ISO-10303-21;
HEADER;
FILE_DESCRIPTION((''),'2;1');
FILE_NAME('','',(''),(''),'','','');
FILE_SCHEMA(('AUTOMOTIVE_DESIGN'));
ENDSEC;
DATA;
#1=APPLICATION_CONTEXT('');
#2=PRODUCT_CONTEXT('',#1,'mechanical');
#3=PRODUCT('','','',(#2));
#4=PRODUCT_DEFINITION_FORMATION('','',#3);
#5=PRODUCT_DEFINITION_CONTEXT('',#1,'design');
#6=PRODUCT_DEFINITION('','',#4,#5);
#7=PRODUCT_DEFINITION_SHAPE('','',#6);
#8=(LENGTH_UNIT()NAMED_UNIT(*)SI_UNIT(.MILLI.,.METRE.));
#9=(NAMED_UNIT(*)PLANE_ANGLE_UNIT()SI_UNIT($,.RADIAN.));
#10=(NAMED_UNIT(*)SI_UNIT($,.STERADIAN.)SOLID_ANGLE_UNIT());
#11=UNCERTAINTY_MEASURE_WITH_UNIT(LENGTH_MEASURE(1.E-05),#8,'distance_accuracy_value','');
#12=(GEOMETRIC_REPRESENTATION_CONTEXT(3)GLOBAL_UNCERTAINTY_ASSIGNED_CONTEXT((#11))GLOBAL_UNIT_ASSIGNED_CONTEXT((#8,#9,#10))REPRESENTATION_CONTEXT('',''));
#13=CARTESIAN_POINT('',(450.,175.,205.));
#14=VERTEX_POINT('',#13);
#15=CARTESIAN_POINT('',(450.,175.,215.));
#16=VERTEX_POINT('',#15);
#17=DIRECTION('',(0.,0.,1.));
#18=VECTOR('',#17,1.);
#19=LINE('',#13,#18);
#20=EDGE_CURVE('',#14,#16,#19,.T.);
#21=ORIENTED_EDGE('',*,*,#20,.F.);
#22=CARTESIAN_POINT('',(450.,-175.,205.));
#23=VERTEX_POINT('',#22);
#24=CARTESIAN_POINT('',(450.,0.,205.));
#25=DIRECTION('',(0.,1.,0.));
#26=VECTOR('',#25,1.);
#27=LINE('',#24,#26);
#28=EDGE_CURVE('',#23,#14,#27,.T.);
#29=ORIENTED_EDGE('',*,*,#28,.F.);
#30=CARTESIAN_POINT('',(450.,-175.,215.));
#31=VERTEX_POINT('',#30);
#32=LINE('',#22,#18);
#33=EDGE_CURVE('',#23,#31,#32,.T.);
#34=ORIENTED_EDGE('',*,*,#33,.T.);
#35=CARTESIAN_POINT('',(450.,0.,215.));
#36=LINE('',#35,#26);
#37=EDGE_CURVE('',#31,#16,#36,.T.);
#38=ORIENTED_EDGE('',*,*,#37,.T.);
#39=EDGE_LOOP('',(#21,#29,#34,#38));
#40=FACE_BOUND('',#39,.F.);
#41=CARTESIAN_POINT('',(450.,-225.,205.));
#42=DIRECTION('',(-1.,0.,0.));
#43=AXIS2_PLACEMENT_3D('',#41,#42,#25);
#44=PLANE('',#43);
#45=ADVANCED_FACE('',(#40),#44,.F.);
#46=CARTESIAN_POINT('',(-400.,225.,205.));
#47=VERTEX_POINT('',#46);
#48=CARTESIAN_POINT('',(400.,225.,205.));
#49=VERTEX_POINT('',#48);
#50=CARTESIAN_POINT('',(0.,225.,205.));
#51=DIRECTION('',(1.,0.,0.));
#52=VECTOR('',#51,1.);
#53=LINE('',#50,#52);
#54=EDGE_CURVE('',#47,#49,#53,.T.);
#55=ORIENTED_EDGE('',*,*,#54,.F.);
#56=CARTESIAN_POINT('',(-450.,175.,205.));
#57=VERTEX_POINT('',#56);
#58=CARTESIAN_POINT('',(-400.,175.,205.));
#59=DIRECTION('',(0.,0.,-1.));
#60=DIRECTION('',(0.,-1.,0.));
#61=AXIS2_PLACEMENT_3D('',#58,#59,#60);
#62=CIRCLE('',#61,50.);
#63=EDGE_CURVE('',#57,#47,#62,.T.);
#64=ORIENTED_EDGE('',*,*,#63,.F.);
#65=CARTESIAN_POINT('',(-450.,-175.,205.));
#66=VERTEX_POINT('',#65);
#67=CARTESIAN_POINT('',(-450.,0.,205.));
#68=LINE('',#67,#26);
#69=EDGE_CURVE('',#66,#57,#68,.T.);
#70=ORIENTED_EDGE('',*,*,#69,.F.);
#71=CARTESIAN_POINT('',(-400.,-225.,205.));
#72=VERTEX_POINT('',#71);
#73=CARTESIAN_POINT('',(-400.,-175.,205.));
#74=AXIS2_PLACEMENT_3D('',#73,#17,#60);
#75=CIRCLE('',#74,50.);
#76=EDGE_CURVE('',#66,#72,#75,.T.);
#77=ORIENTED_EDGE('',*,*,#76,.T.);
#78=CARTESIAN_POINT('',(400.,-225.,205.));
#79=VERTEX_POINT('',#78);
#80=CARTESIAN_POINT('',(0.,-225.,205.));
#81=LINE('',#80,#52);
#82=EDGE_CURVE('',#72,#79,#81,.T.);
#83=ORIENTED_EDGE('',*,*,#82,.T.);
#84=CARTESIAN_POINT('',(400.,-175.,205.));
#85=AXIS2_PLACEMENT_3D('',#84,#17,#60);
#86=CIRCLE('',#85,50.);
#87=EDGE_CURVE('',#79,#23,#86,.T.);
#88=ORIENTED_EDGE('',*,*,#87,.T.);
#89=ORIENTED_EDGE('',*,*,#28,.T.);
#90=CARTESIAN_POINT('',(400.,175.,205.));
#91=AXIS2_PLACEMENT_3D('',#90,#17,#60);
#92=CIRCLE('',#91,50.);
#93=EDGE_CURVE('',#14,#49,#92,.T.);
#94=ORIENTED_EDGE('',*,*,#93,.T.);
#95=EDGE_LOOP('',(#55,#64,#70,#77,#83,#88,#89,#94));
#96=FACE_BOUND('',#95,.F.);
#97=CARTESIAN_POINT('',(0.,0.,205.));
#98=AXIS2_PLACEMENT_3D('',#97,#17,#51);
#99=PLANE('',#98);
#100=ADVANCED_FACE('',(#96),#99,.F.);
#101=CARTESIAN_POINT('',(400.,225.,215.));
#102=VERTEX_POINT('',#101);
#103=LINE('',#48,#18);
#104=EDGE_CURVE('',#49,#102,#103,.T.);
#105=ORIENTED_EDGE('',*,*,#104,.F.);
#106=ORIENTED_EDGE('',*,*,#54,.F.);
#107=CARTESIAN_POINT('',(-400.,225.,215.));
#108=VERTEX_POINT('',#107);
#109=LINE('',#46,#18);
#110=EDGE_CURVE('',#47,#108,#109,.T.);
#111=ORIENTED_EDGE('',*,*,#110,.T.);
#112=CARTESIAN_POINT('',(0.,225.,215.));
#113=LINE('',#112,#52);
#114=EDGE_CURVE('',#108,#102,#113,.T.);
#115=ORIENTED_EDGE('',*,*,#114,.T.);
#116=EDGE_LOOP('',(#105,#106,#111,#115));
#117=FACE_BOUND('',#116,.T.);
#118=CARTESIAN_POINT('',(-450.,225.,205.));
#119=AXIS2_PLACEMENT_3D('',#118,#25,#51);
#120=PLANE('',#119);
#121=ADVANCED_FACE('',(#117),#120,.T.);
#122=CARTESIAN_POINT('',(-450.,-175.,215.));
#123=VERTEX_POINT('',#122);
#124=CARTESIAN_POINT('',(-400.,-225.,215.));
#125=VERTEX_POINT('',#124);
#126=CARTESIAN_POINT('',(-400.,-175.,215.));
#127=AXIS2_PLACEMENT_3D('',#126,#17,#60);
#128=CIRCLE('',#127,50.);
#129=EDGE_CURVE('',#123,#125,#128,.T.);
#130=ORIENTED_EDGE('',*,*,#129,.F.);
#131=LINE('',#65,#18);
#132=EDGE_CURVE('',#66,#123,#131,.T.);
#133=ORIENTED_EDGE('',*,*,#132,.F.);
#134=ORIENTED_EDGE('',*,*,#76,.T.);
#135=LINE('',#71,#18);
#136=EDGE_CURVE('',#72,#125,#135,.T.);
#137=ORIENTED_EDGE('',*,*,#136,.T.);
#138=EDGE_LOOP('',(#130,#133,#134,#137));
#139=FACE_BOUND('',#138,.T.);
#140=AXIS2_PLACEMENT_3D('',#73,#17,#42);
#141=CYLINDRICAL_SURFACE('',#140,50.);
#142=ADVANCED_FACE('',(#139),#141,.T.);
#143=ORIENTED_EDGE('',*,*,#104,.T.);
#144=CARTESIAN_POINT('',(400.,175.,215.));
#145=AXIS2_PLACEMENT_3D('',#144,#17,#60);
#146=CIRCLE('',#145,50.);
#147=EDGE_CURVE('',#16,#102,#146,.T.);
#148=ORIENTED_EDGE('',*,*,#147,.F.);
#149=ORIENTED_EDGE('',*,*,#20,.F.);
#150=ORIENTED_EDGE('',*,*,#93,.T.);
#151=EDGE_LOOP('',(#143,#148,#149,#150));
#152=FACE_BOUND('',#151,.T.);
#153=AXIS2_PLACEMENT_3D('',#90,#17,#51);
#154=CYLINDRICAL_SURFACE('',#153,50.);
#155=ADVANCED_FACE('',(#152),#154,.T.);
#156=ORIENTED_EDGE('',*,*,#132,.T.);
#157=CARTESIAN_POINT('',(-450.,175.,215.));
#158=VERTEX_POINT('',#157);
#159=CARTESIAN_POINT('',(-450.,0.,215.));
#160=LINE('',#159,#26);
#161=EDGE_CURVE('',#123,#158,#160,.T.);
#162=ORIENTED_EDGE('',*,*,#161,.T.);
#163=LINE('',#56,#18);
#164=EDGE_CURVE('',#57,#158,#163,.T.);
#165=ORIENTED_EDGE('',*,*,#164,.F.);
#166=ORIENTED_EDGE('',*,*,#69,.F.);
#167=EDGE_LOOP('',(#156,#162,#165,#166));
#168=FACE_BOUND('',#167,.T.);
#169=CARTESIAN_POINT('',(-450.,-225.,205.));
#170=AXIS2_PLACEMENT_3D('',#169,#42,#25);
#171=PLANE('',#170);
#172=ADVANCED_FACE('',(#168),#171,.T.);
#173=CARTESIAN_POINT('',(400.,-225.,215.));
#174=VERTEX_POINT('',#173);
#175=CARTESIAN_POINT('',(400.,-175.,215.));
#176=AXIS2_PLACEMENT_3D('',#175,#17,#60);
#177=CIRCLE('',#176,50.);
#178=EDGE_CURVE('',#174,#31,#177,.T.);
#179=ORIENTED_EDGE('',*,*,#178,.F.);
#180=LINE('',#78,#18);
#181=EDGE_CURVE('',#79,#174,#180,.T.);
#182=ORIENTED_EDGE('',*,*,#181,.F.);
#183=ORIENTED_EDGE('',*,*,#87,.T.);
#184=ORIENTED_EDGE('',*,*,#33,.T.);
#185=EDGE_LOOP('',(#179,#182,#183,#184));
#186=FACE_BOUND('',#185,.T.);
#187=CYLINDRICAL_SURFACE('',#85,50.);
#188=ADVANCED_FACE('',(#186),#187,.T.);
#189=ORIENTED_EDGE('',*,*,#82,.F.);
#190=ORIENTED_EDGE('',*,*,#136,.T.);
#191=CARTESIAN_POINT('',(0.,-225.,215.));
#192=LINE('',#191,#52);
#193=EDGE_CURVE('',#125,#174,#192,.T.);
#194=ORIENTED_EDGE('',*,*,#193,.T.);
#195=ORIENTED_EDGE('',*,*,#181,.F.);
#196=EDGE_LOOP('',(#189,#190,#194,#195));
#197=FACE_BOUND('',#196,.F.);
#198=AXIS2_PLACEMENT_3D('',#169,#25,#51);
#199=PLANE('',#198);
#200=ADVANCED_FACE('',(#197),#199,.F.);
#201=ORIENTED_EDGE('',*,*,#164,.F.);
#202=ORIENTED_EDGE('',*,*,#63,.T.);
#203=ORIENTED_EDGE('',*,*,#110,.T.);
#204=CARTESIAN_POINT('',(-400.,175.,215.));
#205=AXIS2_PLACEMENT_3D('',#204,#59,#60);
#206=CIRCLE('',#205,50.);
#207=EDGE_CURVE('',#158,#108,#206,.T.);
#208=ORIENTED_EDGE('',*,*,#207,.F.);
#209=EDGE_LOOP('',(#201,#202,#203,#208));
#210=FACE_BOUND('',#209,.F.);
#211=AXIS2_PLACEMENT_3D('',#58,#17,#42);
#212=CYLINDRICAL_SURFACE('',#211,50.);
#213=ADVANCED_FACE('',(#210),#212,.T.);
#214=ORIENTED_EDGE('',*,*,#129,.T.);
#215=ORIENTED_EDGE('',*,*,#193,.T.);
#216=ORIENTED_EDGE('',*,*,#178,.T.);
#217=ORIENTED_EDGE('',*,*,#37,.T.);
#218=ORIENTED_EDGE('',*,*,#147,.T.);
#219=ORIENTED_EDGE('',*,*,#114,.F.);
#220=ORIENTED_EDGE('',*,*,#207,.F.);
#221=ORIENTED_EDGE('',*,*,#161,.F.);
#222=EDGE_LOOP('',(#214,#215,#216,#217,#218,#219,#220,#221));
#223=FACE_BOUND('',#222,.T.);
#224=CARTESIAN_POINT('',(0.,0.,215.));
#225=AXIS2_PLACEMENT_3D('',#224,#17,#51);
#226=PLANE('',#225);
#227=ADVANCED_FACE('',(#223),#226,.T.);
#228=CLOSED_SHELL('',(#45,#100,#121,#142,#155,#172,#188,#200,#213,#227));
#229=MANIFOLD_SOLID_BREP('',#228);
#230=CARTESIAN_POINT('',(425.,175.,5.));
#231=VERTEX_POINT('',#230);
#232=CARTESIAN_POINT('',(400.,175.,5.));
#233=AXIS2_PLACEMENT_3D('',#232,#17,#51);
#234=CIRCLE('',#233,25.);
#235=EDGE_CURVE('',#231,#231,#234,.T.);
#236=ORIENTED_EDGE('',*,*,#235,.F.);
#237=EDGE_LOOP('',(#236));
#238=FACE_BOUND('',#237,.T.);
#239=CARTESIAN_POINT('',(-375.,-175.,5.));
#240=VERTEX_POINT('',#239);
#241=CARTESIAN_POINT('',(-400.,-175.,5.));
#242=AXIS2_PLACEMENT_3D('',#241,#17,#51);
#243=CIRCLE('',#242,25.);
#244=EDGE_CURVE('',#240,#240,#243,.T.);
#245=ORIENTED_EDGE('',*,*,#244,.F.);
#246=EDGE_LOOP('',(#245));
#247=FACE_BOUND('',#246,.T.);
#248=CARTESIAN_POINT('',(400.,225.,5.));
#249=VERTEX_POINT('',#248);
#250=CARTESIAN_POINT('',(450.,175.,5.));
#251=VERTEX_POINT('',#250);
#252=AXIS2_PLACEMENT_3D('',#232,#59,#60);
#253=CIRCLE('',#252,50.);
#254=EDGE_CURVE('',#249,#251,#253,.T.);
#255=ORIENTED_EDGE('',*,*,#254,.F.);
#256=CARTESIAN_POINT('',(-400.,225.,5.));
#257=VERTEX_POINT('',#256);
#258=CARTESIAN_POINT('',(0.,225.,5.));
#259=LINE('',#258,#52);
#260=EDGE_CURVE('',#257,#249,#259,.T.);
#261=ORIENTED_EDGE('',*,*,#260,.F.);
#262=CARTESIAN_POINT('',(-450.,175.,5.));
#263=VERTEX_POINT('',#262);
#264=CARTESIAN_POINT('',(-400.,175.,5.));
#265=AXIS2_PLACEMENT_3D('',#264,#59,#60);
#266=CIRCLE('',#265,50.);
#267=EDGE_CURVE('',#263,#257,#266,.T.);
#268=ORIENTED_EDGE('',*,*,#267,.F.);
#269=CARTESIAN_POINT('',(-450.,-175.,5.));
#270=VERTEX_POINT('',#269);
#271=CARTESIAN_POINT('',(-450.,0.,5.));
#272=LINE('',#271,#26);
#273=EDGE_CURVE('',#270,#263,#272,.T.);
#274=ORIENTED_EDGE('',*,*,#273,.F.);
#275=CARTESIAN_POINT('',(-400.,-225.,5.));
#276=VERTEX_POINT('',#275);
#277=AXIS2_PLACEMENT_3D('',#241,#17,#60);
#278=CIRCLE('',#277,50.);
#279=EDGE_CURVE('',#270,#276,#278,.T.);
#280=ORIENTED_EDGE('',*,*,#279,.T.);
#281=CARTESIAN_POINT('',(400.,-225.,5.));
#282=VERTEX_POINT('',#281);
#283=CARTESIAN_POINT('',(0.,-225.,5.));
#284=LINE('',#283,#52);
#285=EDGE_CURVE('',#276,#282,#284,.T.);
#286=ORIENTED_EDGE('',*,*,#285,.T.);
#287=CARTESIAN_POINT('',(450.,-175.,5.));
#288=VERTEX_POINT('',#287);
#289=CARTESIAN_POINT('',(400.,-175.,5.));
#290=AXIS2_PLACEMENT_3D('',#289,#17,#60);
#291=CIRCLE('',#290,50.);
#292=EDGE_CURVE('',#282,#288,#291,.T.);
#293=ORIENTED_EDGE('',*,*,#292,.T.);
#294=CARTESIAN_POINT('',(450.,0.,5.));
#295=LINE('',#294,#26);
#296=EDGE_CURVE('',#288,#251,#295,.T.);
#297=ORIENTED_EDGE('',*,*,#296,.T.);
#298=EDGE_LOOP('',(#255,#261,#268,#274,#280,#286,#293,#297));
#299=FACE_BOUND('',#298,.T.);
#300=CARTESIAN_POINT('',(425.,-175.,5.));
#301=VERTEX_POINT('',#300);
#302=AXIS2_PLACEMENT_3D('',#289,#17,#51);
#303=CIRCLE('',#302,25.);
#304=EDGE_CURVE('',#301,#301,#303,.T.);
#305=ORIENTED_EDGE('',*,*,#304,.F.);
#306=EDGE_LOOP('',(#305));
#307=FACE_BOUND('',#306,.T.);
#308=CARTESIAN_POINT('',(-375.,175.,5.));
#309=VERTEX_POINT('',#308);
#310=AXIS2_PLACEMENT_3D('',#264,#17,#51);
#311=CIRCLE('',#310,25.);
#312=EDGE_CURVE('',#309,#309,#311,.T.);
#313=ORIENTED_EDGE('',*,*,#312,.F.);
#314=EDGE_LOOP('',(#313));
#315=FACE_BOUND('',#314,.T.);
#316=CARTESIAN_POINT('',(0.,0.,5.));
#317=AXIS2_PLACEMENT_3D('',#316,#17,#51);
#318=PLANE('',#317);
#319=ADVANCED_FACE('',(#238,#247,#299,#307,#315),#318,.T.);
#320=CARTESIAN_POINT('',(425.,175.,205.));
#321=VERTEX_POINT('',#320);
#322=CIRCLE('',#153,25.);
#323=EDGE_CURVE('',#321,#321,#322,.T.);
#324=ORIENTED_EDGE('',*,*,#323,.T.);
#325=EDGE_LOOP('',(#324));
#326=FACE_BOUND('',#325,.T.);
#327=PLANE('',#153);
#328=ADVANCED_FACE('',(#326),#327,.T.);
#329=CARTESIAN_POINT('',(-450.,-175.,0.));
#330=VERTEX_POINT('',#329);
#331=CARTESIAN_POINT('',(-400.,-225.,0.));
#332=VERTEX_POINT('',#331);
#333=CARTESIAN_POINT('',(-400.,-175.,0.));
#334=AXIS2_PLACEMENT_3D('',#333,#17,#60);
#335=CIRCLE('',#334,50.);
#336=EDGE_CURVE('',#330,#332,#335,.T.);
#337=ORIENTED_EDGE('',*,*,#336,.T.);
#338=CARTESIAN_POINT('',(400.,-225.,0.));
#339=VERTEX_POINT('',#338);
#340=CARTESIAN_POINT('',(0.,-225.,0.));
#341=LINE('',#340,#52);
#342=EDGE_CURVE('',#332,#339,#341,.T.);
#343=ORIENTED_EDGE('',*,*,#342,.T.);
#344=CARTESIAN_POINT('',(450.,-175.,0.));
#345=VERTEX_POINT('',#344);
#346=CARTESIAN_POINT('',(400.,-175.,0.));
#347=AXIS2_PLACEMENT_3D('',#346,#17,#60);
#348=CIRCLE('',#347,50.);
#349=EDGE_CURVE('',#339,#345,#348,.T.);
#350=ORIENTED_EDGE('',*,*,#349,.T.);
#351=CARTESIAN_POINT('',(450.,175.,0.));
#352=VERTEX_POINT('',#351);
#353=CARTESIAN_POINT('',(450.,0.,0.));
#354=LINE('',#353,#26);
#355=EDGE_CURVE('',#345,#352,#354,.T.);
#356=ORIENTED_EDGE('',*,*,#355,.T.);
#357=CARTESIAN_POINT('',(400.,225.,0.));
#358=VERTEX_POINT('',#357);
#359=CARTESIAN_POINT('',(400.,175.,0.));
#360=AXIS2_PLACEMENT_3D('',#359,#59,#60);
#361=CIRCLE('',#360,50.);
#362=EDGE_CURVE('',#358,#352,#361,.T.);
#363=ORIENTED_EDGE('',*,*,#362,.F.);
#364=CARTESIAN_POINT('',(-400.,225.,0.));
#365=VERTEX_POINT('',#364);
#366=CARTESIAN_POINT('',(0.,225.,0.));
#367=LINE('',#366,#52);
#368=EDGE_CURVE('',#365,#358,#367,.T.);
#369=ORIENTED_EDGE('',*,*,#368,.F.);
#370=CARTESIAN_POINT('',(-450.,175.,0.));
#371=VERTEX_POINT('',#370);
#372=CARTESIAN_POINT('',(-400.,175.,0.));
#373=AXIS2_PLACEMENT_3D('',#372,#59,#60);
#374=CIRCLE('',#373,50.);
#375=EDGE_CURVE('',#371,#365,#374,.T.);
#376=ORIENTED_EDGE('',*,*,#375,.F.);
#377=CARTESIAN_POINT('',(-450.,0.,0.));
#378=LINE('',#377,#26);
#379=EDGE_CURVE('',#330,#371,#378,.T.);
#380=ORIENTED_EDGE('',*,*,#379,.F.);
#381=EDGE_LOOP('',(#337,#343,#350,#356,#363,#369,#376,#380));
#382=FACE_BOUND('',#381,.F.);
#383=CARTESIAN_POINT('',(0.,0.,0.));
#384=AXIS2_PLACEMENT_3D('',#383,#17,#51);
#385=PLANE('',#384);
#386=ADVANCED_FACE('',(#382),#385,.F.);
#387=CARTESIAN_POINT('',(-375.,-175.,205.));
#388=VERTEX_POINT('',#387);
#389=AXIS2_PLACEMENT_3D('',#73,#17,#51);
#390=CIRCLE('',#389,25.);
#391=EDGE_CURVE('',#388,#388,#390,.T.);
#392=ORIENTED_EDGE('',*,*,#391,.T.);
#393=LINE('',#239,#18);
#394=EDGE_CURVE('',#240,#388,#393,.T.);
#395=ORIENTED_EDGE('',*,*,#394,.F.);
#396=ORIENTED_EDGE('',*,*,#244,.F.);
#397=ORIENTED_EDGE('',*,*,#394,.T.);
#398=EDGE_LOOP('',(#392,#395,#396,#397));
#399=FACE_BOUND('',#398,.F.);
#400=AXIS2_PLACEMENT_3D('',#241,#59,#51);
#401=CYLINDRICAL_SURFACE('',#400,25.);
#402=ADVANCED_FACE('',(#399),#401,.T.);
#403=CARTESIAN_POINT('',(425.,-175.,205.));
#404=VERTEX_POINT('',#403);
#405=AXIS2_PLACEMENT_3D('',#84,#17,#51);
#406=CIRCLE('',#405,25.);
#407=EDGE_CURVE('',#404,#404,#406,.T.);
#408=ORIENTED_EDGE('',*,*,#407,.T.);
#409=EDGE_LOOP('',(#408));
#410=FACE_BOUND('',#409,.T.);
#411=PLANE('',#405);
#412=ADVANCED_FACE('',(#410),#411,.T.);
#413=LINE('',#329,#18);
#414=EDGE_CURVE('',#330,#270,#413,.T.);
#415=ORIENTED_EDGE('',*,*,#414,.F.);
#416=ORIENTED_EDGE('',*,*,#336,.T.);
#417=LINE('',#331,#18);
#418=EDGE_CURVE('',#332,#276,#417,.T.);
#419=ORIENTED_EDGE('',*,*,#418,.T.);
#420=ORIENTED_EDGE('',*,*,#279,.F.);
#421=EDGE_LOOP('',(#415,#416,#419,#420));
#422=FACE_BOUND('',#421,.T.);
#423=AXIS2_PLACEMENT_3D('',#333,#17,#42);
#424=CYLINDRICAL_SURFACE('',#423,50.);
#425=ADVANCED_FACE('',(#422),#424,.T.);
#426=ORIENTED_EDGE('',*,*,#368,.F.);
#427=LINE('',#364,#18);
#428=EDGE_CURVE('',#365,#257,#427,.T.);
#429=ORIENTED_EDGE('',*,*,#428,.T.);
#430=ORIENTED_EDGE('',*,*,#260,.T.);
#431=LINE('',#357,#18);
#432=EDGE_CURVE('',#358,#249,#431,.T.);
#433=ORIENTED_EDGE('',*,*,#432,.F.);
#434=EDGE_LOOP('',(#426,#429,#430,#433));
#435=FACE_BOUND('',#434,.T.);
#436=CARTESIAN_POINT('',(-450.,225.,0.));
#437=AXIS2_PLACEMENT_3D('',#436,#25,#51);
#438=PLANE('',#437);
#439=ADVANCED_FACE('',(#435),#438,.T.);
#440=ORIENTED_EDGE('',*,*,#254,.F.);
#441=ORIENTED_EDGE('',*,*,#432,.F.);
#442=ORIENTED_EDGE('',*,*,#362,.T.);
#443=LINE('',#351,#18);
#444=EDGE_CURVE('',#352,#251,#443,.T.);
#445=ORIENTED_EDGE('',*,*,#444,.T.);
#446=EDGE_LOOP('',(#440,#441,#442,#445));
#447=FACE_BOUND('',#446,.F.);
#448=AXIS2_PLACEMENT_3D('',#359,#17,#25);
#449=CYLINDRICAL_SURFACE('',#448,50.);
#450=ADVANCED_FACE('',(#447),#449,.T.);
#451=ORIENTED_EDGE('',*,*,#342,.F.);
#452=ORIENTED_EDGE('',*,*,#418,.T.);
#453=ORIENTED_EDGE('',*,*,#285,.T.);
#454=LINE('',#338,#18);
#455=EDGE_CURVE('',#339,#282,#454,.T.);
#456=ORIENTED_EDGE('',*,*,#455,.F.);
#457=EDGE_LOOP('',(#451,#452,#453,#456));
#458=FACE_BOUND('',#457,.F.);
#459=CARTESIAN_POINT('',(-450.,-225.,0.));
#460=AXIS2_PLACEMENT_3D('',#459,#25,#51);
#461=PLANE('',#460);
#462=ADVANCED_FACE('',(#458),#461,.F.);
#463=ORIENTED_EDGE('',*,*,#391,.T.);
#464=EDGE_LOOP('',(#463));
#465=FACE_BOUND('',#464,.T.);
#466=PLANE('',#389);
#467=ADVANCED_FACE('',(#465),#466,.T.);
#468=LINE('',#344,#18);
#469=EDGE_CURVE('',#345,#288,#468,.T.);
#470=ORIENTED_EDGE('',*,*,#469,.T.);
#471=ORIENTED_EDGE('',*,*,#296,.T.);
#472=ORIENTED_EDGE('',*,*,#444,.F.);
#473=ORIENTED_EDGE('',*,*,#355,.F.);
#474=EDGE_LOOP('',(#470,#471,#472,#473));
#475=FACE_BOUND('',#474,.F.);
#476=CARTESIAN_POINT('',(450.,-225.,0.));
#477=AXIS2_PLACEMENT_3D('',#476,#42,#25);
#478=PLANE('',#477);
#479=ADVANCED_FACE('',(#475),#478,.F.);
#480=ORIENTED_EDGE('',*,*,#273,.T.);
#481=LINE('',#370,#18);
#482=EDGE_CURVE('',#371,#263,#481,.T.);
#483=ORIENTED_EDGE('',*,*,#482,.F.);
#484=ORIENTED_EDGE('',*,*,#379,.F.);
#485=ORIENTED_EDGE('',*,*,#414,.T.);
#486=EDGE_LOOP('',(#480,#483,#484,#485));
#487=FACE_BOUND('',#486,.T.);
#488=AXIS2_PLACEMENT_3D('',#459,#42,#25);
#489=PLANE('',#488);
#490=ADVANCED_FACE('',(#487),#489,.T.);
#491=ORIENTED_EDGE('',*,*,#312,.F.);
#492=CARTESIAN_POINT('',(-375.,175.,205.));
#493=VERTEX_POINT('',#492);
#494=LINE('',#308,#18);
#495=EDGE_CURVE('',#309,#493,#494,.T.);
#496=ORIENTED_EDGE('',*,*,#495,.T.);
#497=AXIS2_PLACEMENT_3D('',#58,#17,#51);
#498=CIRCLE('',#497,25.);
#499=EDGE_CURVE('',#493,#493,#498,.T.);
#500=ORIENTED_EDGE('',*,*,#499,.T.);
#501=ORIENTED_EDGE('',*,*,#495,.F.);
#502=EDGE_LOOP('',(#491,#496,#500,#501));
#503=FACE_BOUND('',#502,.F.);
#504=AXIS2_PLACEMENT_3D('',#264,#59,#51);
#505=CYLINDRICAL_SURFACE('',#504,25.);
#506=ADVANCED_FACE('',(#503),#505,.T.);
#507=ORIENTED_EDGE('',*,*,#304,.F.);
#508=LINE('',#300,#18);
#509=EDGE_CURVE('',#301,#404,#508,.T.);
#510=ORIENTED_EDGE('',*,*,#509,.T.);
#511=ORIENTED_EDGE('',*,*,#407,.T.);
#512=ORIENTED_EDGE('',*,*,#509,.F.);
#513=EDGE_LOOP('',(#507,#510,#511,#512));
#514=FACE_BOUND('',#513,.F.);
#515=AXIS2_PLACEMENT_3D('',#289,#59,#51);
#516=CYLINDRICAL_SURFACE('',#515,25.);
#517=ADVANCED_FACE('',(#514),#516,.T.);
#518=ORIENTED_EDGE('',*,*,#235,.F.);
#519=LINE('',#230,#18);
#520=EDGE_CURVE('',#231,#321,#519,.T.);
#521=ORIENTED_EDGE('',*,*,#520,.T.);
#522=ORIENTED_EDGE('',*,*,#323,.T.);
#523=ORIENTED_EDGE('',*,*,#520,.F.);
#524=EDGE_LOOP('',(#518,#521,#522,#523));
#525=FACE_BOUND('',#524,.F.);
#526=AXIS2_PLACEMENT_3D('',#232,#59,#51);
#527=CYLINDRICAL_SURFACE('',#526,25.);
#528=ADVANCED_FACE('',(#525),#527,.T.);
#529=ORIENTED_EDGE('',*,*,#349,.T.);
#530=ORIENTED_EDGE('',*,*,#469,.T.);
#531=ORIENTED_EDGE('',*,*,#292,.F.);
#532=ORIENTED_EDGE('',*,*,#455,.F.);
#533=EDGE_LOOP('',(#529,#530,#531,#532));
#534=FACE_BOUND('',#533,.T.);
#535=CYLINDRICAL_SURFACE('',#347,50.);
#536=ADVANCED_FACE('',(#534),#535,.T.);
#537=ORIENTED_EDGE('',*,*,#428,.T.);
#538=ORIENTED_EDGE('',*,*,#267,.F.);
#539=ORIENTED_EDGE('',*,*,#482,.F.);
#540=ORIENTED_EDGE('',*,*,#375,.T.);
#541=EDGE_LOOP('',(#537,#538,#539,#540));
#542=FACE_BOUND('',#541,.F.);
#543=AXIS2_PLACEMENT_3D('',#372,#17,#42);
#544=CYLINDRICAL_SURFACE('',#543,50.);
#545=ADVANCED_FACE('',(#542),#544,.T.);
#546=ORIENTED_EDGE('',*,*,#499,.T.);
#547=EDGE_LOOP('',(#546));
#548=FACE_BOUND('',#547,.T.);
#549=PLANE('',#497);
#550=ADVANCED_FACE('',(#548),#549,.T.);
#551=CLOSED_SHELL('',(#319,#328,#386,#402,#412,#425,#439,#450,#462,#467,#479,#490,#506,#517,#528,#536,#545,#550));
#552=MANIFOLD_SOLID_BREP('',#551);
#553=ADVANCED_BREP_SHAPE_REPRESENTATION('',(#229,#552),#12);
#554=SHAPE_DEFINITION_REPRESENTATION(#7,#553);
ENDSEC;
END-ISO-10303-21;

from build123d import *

# Parameters (mm, degrees)
F0_W     = 900
F0_H     = 450
F1_DEPTH = 5
F2_R     = 25
F3_DEPTH = 200
F4_W     = 900
F4_H     = 450
F5_DEPTH = 10
F6_R     = 50
F6_2_R   = 50


with BuildPart() as f1:
    # F0 (on Top) → F1 (new body)
    with BuildSketch(Plane.XY):
        Rectangle(F0_W, F0_H)
    extrude(amount=F1_DEPTH)

    # F2 (on face) → F3 (join)
    with BuildSketch(Plane.XY.offset(5)):
        with Locations((-400, 175)):
            Circle(F2_R)
        with Locations((400, 175)):
            Circle(F2_R)
        with Locations((-400, -175)):
            Circle(F2_R)
        with Locations((400, -175)):
            Circle(F2_R)
    extrude(amount=F3_DEPTH)

    # F6
    f6_edges = [f1.edges().sort_by_distance(p)[0] for p in [
        (-450, -225, 2.5),
        (450, -225, 2.5),
        (450, 225, 2.5),
        (-450, 225, 2.5),
    ]]
    fillet(f6_edges, radius=F6_R)


with BuildPart() as f5:
    # F4 (on face) → F5 (new body)
    with BuildSketch(Plane.XY.offset(205)):
        Rectangle(F4_W, F4_H)
    extrude(amount=F5_DEPTH)

    # F6#2
    f6_2_edges = [f5.edges().sort_by_distance(p)[0] for p in [
        (-450, -225, 210),
        (450, -225, 210),
        (450, 225, 210),
        (-450, 225, 210),
    ]]
    fillet(f6_2_edges, radius=F6_2_R)


solid = Compound([f1.part, f5.part])
